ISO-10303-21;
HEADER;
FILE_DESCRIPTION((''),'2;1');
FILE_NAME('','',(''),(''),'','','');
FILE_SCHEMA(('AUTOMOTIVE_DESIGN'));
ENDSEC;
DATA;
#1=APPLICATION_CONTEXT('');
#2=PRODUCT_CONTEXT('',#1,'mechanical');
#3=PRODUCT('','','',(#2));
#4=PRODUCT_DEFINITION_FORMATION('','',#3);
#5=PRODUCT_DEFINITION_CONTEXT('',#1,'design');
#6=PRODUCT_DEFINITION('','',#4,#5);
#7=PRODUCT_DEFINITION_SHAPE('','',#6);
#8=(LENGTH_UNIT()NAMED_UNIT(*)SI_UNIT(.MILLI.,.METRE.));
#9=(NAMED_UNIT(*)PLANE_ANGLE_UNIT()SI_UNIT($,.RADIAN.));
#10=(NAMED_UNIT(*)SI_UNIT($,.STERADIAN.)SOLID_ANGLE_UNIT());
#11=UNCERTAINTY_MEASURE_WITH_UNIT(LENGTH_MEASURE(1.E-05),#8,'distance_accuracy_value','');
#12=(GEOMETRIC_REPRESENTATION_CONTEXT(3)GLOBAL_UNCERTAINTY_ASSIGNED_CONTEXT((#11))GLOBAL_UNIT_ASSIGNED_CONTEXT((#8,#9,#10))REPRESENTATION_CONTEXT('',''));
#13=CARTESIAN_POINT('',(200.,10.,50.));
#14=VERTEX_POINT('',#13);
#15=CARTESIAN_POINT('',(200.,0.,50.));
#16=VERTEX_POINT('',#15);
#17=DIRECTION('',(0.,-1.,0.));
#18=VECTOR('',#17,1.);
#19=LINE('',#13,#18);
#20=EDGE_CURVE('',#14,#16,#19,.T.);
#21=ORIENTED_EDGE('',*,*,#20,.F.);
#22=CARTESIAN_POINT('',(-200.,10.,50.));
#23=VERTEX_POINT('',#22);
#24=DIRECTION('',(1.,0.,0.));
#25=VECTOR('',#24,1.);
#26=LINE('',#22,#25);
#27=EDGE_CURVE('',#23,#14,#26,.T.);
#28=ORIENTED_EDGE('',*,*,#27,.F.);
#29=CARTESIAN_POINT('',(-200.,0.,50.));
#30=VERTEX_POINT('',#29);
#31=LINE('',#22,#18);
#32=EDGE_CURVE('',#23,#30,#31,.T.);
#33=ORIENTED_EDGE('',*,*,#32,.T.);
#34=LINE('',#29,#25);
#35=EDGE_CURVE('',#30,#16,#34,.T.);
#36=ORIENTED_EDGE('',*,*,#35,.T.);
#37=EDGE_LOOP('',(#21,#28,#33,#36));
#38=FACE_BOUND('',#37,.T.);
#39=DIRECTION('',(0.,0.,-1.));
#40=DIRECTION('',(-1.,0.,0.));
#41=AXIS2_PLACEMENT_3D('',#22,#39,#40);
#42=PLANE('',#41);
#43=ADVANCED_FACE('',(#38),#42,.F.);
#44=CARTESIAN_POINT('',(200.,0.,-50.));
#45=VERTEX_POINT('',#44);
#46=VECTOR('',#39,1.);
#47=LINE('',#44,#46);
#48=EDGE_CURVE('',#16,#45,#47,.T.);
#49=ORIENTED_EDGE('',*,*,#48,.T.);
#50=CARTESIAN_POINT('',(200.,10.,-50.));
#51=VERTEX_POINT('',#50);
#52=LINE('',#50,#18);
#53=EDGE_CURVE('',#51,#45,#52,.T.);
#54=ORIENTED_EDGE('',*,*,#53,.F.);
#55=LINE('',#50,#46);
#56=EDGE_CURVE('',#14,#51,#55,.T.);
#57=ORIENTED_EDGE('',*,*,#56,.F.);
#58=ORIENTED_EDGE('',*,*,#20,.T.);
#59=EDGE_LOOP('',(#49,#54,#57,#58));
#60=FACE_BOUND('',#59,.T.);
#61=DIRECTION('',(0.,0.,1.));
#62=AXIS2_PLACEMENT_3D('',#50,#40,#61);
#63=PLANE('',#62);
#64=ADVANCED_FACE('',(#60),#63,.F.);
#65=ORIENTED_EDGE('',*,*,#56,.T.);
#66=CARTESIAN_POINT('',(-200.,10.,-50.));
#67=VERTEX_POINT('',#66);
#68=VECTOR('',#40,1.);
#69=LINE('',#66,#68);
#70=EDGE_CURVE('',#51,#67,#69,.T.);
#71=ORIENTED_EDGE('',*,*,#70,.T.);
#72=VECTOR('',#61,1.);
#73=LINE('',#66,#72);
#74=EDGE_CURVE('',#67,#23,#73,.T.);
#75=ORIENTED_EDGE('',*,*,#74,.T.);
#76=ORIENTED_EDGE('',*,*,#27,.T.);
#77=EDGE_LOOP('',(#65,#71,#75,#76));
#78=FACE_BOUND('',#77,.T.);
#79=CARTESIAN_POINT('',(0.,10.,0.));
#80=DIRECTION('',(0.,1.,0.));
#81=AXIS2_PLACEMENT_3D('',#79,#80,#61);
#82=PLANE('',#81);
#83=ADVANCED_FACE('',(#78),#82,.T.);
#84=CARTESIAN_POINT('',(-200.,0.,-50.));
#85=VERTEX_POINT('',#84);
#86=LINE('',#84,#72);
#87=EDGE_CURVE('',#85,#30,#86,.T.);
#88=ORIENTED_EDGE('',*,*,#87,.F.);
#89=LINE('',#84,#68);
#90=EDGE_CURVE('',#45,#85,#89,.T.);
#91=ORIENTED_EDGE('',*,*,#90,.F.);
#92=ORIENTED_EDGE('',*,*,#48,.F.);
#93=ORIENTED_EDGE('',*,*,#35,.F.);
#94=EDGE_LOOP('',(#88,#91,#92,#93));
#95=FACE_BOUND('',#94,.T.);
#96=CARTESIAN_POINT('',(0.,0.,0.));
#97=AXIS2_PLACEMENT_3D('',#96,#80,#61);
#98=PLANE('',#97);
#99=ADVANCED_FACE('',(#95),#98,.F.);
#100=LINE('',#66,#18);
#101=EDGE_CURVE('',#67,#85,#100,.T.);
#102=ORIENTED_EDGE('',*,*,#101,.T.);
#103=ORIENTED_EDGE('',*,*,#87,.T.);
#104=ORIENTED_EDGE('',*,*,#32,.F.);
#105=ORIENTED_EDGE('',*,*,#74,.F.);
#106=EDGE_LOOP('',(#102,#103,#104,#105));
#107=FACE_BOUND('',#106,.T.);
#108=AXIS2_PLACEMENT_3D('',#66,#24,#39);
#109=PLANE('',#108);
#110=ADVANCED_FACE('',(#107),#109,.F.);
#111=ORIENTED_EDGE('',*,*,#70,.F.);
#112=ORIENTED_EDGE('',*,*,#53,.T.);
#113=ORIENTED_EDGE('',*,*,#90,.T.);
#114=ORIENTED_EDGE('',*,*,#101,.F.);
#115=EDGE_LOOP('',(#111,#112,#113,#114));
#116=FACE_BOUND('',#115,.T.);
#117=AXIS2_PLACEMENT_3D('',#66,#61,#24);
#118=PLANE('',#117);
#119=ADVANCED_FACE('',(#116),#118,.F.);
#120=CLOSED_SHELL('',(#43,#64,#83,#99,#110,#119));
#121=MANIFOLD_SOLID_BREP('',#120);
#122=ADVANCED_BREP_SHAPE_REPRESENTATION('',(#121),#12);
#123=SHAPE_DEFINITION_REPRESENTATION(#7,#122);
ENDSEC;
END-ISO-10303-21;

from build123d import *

# Parameters (mm, degrees)
SKETCH1_W           = 400
SKETCH1_H           = 100
BOSS_EXTRUDE1_DEPTH = 10


with BuildPart() as part:
    # Sketch1 → Boss-Extrude1 (new body)
    with BuildSketch(Plane(origin=(0, 0, 0), x_dir=(1, 0, 0), z_dir=(0, 1, 0))):
        Rectangle(SKETCH1_W, SKETCH1_H)
    extrude(amount=BOSS_EXTRUDE1_DEPTH)


solid = part.part
